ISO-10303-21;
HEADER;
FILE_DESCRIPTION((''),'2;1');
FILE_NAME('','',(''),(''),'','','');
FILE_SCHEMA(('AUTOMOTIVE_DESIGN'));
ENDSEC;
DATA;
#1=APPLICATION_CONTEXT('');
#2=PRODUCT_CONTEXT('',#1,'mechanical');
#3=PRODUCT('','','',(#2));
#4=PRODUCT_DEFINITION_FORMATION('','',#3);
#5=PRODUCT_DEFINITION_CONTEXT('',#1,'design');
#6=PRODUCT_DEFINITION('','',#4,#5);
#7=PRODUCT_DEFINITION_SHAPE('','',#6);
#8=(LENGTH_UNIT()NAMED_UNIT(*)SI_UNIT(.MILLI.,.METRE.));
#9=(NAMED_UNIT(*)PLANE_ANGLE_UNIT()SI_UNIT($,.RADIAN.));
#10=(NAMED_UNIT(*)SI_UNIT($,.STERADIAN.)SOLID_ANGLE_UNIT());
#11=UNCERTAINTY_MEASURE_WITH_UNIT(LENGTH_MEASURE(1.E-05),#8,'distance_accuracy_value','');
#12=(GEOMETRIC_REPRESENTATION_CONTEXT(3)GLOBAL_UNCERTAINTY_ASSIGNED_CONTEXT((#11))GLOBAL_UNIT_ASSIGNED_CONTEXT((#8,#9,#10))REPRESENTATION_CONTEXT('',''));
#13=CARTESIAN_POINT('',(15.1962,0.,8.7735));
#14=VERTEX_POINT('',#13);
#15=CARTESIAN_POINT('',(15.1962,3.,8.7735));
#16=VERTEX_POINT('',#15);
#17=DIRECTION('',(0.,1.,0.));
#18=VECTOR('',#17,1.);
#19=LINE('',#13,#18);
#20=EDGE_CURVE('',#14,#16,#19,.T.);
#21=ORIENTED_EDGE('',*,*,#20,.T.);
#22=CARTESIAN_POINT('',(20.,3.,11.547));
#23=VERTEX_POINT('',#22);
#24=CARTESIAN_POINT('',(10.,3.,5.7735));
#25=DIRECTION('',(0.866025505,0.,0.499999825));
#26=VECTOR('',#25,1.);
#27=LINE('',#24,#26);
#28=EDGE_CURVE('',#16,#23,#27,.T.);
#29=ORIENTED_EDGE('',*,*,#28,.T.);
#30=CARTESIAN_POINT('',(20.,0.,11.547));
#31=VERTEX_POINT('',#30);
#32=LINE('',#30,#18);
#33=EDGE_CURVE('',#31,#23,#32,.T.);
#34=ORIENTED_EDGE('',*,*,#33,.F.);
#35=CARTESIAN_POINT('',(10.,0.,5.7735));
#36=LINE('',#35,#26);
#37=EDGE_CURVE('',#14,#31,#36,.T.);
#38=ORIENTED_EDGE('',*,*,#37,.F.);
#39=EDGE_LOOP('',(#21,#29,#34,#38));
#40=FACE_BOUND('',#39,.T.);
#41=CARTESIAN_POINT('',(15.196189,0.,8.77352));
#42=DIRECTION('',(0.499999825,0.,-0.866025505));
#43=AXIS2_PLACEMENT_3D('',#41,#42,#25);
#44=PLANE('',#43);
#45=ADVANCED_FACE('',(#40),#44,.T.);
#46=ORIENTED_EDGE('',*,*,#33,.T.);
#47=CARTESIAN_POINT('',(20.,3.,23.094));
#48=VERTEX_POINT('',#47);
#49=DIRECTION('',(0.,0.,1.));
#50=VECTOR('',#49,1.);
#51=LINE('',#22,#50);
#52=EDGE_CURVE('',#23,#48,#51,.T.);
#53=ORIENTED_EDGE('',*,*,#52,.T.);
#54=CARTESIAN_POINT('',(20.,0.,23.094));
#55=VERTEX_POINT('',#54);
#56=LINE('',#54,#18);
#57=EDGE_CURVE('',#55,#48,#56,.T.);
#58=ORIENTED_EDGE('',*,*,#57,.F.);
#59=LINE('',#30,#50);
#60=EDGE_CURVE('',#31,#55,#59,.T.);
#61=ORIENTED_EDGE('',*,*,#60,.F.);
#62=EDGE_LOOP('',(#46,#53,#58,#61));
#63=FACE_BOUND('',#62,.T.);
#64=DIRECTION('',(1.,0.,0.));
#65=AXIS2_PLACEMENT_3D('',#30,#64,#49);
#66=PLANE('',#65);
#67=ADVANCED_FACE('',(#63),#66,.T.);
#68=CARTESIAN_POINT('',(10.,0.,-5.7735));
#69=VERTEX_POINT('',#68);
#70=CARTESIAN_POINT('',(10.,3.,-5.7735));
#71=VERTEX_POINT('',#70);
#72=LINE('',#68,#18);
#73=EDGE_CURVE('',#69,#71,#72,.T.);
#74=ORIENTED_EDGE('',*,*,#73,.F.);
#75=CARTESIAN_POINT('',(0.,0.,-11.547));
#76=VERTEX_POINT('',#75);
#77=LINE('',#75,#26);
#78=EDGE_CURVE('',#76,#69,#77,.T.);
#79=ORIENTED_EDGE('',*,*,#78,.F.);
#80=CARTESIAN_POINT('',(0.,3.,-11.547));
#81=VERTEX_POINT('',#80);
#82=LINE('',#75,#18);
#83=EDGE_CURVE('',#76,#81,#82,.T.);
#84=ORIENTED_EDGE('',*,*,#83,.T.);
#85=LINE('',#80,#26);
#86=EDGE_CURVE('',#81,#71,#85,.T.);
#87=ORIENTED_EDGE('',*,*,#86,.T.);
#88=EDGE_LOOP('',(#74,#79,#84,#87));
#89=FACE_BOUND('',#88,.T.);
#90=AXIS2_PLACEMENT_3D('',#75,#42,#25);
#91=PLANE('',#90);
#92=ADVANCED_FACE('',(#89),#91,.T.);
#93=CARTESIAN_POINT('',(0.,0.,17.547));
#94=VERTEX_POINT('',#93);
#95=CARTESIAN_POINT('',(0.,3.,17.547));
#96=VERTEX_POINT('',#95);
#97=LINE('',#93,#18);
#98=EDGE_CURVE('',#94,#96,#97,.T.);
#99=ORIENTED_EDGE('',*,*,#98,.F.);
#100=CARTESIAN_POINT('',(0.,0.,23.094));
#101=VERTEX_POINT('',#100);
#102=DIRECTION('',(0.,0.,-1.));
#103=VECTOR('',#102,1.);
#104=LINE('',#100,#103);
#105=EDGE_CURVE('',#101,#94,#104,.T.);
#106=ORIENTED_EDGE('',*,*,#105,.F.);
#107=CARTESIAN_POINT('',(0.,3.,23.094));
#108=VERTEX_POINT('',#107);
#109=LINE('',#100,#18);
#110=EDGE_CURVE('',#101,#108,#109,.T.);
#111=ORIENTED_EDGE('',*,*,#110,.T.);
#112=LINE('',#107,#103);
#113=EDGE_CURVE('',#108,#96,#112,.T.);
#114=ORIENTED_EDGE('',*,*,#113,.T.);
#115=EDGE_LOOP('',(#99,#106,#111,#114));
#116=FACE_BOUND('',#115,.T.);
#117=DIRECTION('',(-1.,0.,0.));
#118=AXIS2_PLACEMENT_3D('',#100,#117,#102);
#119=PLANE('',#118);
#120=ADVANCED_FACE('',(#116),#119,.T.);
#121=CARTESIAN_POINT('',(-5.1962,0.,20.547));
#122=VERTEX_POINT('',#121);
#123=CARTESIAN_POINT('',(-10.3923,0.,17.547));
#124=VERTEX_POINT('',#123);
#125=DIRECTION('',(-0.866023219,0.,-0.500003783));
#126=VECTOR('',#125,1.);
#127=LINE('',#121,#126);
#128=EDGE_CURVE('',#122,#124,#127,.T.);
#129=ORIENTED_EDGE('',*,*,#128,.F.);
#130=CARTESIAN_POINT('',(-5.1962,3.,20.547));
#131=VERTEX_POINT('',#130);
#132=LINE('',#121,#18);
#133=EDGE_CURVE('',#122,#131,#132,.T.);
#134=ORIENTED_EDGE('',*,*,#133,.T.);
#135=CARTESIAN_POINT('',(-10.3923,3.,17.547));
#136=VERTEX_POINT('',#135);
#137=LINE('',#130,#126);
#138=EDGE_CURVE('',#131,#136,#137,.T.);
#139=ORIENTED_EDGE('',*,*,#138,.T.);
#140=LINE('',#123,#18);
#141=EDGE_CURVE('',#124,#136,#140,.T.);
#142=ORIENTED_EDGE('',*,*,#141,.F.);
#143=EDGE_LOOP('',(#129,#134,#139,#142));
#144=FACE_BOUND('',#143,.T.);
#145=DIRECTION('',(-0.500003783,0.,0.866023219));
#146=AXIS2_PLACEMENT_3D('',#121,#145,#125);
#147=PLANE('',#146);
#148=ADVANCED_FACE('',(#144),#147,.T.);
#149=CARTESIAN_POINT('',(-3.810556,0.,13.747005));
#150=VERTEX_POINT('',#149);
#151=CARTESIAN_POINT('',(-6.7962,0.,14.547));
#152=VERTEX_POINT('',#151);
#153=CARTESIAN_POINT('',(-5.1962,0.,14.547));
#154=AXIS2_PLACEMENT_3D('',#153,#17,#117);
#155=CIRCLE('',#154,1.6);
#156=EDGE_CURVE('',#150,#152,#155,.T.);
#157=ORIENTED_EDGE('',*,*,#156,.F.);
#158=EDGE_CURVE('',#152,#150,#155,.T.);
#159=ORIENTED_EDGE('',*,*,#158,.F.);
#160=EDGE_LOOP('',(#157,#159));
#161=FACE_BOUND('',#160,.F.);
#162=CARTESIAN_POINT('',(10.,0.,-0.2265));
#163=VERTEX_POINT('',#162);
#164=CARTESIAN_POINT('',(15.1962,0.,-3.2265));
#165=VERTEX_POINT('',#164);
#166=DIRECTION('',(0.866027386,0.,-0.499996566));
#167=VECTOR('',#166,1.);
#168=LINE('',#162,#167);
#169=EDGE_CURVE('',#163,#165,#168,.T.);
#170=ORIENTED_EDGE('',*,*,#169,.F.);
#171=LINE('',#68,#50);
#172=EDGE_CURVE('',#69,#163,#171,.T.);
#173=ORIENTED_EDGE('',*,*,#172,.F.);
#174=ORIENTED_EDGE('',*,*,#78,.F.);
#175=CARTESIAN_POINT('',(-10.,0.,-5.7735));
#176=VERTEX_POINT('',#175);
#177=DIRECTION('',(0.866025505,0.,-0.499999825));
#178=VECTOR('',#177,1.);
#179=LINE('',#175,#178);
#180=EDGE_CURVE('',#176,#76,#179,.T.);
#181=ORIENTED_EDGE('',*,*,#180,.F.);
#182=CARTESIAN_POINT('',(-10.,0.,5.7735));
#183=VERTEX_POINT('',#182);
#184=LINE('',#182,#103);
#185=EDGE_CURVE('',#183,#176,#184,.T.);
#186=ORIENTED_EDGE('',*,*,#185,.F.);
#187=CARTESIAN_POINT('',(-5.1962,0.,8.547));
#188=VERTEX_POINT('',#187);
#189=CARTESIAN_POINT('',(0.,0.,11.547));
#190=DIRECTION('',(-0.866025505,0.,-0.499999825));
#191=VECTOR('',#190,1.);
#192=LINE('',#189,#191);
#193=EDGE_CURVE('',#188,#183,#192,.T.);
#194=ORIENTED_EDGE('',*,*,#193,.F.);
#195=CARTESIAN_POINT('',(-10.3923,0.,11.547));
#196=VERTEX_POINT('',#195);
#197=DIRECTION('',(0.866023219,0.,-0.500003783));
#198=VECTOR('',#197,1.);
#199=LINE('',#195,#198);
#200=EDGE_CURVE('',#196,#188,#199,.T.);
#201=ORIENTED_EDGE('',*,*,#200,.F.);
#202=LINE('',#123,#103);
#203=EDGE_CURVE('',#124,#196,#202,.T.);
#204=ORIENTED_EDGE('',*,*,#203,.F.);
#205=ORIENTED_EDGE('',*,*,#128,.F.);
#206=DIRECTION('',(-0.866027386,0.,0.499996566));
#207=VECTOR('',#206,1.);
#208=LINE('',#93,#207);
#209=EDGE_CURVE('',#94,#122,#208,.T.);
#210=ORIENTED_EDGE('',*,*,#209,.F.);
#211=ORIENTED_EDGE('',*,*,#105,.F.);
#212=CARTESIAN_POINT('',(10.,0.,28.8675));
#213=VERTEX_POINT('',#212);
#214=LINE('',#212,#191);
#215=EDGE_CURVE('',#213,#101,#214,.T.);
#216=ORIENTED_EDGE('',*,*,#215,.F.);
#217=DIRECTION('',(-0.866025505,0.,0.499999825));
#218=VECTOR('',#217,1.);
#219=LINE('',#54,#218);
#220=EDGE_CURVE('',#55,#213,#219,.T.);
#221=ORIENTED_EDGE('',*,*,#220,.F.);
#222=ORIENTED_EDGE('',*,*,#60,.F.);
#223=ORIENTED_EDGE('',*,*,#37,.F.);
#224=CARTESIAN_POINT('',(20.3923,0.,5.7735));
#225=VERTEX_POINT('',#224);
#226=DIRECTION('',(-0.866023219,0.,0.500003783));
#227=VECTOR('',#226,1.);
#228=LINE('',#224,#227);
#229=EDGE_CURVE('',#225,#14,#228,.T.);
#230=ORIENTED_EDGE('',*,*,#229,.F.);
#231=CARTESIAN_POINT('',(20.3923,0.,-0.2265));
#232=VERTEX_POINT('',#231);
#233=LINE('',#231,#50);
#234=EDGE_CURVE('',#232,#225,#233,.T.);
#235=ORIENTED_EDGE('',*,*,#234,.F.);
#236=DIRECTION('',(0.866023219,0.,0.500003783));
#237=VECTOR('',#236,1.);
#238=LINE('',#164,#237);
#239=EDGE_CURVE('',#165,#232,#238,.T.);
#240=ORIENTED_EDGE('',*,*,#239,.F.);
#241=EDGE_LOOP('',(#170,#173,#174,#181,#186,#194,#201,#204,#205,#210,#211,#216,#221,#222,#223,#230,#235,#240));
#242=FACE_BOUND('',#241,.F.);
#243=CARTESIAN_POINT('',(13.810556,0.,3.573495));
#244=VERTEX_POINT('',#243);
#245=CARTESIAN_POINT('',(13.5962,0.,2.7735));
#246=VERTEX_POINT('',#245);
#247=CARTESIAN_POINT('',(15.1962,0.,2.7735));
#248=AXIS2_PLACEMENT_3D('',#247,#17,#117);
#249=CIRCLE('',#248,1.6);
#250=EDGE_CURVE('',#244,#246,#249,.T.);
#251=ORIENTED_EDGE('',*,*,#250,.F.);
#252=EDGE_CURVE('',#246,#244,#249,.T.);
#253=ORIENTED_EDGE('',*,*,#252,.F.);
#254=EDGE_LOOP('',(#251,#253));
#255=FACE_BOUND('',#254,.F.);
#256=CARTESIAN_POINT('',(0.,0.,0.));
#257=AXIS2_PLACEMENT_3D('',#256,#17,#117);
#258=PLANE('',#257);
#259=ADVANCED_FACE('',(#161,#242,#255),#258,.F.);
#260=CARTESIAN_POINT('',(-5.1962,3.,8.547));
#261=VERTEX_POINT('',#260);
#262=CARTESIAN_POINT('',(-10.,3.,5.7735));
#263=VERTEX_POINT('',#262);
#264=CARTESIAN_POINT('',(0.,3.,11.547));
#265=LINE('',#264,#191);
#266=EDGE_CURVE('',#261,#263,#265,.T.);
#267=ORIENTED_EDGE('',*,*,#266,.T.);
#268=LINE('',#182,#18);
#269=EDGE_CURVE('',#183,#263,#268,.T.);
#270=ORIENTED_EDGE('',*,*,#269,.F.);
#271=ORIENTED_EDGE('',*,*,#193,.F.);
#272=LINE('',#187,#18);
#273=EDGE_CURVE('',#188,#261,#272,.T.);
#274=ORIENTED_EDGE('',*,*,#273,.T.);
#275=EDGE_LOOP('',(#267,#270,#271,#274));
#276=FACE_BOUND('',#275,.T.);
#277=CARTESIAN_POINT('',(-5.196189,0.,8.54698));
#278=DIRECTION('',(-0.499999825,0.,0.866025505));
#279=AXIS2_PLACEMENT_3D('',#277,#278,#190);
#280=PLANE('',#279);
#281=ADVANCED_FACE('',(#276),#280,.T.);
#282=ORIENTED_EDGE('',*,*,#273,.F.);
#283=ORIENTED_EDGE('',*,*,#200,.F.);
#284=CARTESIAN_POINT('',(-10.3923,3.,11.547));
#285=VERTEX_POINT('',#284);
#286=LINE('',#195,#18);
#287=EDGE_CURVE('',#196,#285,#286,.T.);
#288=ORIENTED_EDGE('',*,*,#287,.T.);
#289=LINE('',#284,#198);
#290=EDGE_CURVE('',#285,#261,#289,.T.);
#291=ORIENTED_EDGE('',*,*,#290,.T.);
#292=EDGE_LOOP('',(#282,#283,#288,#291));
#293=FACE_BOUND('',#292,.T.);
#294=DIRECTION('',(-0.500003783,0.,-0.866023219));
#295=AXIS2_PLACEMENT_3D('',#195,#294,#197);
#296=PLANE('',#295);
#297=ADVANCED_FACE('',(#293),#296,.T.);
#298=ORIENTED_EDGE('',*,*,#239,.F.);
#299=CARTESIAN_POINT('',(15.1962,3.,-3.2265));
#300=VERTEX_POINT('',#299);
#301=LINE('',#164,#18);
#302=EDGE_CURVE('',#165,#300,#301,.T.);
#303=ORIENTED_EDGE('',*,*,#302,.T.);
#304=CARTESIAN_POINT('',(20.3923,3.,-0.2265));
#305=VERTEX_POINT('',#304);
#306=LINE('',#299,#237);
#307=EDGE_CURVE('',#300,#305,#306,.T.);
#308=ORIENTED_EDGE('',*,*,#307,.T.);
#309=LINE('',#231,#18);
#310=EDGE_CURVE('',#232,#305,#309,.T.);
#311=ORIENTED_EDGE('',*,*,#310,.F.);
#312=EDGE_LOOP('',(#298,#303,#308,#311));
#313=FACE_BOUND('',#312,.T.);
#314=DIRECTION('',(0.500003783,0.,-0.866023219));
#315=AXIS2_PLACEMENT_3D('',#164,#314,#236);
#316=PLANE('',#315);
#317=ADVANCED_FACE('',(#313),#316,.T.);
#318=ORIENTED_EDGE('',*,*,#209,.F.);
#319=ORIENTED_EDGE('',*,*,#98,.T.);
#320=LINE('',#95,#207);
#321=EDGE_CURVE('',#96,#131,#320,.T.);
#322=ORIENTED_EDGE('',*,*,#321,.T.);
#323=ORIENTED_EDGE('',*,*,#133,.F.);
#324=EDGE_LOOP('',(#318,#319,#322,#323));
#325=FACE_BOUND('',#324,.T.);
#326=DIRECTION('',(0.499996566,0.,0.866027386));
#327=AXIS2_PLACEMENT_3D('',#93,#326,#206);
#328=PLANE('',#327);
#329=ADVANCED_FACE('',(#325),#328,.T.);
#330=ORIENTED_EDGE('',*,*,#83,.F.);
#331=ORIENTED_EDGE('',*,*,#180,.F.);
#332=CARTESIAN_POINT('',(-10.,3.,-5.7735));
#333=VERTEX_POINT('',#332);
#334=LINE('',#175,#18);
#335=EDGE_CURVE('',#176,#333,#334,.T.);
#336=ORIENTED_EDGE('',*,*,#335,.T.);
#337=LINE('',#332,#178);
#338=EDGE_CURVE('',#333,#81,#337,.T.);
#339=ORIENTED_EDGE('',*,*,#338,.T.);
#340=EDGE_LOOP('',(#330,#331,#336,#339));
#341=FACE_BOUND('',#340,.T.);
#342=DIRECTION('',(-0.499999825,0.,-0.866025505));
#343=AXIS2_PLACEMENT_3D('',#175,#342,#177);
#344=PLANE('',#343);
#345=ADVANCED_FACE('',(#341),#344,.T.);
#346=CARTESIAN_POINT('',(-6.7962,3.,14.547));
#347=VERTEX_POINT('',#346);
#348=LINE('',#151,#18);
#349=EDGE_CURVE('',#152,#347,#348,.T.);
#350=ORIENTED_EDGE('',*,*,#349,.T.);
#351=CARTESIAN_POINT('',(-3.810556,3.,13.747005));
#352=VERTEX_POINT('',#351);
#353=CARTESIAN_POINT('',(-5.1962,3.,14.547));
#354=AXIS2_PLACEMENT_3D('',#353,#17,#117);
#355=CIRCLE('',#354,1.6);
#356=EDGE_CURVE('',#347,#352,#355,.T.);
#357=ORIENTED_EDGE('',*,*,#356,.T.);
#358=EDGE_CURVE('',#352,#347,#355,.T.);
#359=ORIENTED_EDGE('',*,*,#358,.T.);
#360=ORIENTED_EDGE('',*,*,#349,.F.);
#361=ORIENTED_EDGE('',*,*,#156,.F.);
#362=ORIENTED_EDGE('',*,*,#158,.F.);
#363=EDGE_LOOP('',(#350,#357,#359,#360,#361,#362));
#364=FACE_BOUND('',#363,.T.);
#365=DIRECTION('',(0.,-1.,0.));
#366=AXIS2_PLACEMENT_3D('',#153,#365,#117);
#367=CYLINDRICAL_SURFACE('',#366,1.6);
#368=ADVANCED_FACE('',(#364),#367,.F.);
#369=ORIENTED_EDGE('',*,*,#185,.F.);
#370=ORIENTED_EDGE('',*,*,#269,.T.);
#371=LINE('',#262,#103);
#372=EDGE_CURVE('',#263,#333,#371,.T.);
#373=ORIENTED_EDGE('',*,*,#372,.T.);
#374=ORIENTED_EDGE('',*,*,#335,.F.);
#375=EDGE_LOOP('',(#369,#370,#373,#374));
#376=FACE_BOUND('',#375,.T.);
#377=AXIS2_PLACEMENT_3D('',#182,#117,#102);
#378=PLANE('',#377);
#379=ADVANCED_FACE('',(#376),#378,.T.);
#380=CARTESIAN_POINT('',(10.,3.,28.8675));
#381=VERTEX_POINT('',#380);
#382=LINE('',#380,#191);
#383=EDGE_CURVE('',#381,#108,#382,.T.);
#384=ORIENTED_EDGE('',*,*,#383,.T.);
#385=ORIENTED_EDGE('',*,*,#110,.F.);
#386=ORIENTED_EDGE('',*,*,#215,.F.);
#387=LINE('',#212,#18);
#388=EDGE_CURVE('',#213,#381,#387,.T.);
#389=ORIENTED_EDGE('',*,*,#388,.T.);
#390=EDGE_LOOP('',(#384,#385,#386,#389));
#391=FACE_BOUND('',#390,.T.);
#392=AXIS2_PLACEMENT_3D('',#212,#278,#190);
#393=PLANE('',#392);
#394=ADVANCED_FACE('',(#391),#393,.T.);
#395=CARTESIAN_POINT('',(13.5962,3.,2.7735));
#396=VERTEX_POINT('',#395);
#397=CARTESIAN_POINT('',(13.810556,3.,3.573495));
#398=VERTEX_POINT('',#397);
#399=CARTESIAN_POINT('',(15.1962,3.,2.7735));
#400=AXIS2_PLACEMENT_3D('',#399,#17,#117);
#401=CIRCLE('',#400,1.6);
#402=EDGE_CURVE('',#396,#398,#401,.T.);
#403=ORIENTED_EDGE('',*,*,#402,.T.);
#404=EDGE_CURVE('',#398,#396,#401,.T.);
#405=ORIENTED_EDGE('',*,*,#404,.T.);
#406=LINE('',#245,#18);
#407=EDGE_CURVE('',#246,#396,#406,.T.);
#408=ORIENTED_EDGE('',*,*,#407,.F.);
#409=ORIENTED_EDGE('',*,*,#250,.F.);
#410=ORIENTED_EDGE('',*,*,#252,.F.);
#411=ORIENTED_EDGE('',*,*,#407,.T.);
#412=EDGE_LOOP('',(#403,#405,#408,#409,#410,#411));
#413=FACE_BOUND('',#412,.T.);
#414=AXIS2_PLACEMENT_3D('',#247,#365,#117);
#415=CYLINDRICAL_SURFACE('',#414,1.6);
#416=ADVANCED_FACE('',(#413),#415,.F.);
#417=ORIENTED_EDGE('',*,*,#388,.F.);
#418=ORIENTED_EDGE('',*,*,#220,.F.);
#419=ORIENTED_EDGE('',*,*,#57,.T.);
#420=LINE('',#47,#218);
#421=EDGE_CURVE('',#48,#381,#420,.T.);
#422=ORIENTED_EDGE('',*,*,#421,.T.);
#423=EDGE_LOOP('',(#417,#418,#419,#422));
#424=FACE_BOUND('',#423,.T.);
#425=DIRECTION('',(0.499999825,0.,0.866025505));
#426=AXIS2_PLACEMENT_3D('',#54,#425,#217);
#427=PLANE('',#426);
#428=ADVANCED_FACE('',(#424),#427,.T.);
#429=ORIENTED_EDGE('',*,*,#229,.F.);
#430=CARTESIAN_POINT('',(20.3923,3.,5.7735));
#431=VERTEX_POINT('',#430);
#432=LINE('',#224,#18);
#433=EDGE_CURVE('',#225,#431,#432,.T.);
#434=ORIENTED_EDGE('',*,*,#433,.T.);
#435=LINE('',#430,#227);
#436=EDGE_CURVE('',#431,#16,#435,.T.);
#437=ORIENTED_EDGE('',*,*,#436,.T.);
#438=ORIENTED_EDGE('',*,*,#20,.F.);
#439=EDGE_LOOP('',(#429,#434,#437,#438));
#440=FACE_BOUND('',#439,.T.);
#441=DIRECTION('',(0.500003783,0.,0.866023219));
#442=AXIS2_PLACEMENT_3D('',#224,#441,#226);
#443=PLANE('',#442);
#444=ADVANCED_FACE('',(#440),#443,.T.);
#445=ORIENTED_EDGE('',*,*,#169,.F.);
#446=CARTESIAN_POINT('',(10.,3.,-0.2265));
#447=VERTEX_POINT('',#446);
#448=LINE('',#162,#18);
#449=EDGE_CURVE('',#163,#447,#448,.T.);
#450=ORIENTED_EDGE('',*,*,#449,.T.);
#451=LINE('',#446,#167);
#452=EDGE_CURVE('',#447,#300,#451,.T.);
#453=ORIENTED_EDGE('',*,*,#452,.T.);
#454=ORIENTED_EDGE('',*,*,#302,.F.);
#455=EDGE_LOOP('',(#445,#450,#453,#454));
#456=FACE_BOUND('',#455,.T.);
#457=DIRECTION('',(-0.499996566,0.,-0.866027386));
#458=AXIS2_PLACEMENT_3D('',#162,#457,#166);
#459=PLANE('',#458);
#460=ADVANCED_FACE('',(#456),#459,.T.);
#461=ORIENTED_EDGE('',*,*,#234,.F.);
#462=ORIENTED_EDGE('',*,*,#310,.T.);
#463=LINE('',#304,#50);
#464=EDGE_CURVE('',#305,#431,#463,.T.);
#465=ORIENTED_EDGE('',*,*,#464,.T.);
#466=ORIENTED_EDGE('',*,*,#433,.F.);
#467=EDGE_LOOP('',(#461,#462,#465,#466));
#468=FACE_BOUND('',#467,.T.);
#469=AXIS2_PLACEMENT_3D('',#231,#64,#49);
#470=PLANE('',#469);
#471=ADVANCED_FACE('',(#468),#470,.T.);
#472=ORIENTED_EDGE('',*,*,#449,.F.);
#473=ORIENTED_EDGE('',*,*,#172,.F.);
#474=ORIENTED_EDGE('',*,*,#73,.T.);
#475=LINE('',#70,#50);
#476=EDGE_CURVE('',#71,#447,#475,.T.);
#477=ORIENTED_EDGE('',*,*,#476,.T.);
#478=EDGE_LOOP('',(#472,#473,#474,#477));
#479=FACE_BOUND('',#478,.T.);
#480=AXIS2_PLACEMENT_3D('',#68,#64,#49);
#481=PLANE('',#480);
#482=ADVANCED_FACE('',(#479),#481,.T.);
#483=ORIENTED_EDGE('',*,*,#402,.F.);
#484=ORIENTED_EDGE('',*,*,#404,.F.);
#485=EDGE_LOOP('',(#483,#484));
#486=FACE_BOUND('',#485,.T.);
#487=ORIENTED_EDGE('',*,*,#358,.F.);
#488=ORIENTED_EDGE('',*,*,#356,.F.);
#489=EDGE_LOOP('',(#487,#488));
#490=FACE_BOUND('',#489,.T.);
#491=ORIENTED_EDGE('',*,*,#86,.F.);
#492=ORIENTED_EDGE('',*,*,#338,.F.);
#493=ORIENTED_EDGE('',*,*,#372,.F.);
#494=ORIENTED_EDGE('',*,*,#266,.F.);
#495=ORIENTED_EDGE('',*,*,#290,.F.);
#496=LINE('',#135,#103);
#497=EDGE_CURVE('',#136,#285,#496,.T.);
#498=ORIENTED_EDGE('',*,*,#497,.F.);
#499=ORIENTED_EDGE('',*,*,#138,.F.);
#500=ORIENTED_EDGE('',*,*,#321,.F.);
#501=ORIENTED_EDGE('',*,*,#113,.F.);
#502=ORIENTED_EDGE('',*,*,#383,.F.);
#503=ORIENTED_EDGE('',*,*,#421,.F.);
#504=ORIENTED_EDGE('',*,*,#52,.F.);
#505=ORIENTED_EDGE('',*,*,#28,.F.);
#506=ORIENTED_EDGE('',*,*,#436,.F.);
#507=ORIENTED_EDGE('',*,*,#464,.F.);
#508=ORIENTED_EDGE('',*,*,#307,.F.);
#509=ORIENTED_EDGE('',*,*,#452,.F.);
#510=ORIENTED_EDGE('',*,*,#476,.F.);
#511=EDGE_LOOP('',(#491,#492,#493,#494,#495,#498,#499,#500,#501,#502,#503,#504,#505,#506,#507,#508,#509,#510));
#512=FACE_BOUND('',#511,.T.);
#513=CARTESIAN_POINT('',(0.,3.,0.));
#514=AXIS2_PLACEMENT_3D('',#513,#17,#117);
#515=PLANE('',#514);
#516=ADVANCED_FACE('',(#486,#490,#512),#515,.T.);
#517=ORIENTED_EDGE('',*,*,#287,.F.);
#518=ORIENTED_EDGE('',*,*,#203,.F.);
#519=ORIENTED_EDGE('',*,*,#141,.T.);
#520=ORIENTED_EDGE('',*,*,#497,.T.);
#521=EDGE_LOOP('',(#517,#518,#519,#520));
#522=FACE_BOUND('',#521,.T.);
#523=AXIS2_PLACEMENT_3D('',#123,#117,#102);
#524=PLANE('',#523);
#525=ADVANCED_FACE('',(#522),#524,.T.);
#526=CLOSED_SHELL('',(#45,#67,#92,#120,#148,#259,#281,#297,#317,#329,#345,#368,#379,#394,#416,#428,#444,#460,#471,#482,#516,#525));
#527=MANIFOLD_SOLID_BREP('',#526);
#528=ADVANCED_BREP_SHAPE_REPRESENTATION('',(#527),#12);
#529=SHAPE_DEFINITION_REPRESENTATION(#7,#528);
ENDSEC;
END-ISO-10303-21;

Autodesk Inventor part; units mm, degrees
ref_plane "YZ Plane" through (0, 0, 0) normal (1, 0, 0) x (0, 1, 0)
ref_plane "XZ Plane" through (0, 0, 0) normal (0, 1, 0) x (-1, 0, 0)
ref_plane "XY Plane" through (0, 0, 0) normal (0, 0, 1) x (1, 0, 0)
sketch "Sketch1" plane through (0, 0, 0) normal (0, 1, 0) x (-1, 0, 0)
  line L0 (0, 11.547) -> (10, 5.7735)
  line L1 (10, 5.7735) -> (10, -5.7735)
  line L2 (10, -5.7735) -> (0, -11.547)
  line L3 (0, -11.547) -> (-10, -5.7735)
  line L4 (-10, -5.7735) -> (-10, 5.7735)
  line L5 (-10, 5.7735) -> (0, 11.547)
  line L6 (-10, 5.7735) -> (-20, 11.547)
  line L7 (-20, 11.547) -> (-20, 23.094)
  line L8 (-20, 23.094) -> (-10, 28.8675)
  line L9 (-10, 28.8675) -> (0, 23.094)
  line L10 (0, 23.094) -> (0, 11.547)
  line L11 (0, 11.547) -> (-10, 5.7735)
  circle A0 centre (-15.1962, 2.7735) radius 1.6
  circle A1 centre (5.1962, 14.547) radius 1.6
  line L12 (0, 11.547) -> (5.1962, 14.547)
  line L13 (-10, 5.7735) -> (-15.1962, 2.7735)
  line L14 (-10, 5.7735) -> (-10, -0.2265)
  line L15 (-10, -0.2265) -> (-15.1962, -3.2265)
  line L16 (-15.1962, -3.2265) -> (-20.3923, -0.2265)
  line L17 (-20.3923, -0.2265) -> (-20.3923, 5.7735)
  line L18 (-20.3923, 5.7735) -> (-15.1962, 8.7735)
  line L19 (-15.1962, 8.7735) -> (-10, 5.7735)
  line L20 (0, 11.547) -> (0, 17.547)
  line L21 (0, 17.547) -> (5.1962, 20.547)
  line L22 (5.1962, 20.547) -> (10.3923, 17.547)
  line L23 (10.3923, 17.547) -> (10.3923, 11.547)
  line L24 (10.3923, 11.547) -> (5.1962, 8.547)
  line L25 (5.1962, 8.547) -> (0, 11.547)
  dimension "d26" = 3.2
  dimension "d27" = 3.2
  dimension "d28" = 6
  dimension "d29" = 6
extrude "Extrusion1" add sketch "Sketch1" along normal blind 3
properties part number "Dribbler Plate" material "Polycarbonate, Smoke"
